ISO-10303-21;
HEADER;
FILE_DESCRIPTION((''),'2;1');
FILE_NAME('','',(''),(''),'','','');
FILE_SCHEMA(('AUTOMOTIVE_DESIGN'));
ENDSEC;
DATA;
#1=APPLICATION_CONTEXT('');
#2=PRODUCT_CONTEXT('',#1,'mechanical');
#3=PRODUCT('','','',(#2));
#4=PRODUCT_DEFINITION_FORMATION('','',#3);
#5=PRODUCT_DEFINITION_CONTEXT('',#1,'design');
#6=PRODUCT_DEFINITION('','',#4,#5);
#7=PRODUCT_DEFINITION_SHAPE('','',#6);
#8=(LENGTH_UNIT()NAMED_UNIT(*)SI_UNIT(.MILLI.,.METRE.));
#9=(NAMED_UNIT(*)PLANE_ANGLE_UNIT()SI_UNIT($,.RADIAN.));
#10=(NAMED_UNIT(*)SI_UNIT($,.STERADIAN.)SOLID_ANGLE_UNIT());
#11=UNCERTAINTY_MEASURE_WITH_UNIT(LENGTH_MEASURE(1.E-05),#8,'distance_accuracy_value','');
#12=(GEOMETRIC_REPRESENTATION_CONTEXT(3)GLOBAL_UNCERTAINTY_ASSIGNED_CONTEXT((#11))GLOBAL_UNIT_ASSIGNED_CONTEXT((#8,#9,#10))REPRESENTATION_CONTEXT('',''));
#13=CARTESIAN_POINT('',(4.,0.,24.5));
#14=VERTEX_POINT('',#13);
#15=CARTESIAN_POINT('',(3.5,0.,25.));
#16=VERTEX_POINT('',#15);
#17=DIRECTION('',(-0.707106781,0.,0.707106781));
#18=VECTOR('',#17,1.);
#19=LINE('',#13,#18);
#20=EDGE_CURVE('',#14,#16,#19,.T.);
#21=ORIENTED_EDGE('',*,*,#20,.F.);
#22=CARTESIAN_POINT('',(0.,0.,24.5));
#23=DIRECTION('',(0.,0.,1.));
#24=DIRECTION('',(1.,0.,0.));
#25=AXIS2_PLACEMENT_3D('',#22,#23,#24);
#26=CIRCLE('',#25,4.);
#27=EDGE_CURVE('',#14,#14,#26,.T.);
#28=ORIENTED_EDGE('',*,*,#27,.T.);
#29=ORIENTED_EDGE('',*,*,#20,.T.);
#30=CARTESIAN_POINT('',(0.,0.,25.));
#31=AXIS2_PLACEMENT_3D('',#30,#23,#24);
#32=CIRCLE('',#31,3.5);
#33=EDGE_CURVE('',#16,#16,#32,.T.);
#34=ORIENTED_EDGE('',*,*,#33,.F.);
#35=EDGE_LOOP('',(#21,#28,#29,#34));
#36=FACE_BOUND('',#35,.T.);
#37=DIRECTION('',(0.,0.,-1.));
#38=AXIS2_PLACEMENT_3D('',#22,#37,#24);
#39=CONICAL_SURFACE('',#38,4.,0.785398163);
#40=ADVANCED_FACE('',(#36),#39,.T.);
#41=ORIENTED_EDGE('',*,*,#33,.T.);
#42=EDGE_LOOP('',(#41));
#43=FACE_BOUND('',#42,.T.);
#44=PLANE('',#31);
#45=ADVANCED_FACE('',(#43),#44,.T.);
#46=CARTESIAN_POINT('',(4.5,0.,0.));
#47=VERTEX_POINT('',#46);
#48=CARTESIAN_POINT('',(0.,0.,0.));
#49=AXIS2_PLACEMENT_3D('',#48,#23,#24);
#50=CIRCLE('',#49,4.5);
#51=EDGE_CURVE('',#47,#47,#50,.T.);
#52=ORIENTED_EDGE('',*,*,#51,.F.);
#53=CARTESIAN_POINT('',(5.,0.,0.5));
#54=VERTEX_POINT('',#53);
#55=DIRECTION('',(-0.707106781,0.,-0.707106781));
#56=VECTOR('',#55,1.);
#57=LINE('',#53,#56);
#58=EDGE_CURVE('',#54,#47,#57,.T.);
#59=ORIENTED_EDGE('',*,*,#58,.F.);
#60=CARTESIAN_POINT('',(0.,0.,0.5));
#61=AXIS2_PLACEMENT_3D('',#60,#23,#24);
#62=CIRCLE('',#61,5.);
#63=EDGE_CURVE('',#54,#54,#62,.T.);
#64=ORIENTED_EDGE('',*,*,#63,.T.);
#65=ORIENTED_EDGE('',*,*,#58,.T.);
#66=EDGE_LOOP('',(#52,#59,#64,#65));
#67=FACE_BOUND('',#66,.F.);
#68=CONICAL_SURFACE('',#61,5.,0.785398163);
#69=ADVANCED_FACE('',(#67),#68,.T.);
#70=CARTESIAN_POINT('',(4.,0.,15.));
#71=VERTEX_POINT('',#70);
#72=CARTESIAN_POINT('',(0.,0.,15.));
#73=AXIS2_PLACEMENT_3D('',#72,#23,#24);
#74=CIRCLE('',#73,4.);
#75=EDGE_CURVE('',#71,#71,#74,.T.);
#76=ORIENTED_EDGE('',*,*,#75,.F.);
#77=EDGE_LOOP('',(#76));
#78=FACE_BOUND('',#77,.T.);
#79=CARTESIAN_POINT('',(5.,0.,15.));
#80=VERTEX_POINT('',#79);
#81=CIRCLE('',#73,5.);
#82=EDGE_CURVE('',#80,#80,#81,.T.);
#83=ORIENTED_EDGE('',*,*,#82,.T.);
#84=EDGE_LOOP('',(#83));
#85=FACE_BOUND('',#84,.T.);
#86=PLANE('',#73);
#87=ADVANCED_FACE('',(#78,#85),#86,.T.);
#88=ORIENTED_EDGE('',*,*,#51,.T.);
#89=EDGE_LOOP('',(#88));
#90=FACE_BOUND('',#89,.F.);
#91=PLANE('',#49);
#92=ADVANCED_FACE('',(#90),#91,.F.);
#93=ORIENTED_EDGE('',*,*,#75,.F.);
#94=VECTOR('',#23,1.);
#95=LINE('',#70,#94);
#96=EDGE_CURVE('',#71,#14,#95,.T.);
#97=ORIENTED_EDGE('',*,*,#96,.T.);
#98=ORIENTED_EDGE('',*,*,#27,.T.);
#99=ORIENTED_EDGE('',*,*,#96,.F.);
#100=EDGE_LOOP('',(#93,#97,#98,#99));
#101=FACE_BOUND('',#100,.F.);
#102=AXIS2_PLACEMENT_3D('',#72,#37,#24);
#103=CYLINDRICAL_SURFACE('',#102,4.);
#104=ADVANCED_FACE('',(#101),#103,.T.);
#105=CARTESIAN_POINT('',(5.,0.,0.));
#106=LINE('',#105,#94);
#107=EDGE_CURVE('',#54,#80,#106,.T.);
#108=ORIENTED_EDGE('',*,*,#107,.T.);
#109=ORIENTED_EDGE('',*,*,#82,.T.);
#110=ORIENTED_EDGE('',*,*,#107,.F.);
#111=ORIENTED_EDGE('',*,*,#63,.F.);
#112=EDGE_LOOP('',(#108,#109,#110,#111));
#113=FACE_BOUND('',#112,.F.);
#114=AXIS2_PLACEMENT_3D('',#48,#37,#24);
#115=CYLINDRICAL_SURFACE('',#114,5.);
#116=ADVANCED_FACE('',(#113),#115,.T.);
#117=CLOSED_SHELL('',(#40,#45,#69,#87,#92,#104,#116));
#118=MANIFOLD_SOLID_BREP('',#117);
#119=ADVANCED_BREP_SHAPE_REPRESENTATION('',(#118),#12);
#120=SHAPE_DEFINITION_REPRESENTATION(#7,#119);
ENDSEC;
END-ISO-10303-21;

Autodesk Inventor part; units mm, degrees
ref_plane "YZ Plane" through (0, 0, 0) normal (1, 0, 0) x (0, 1, 0)
ref_plane "XZ Plane" through (0, 0, 0) normal (0, 1, 0) x (-1, 0, 0)
ref_plane "XY Plane" through (0, 0, 0) normal (0, 0, 1) x (1, 0, 0)
sketch "Schizzo1" plane through (0, 0, 0) normal (0, 0, 1) x (1, 0, 0)
  circle A0 centre (0, 0) radius 5
  dimension "d0" = 10
extrude "Estrusione1" add sketch "Schizzo1" along normal blind 15
sketch "Schizzo2" plane through (0, 0, 15) normal (0, 0, 1) x (1, 0, 0)
  circle A0 centre (0, 0) radius 4
  dimension "d3" = 8
extrude "Estrusione2" add sketch "Schizzo2" along normal blind 10
thread "Filettatura1" size "M8x1.25" class "6g" standard "ANSI Metric M Profile" full length
chamfer "Smusso1" distance 0.5 angle 45 2 edges at (-4, 0, 25) (-5, 0, 0)
properties part number "Perno tendi motore" material "Acciaio inossidabile"
